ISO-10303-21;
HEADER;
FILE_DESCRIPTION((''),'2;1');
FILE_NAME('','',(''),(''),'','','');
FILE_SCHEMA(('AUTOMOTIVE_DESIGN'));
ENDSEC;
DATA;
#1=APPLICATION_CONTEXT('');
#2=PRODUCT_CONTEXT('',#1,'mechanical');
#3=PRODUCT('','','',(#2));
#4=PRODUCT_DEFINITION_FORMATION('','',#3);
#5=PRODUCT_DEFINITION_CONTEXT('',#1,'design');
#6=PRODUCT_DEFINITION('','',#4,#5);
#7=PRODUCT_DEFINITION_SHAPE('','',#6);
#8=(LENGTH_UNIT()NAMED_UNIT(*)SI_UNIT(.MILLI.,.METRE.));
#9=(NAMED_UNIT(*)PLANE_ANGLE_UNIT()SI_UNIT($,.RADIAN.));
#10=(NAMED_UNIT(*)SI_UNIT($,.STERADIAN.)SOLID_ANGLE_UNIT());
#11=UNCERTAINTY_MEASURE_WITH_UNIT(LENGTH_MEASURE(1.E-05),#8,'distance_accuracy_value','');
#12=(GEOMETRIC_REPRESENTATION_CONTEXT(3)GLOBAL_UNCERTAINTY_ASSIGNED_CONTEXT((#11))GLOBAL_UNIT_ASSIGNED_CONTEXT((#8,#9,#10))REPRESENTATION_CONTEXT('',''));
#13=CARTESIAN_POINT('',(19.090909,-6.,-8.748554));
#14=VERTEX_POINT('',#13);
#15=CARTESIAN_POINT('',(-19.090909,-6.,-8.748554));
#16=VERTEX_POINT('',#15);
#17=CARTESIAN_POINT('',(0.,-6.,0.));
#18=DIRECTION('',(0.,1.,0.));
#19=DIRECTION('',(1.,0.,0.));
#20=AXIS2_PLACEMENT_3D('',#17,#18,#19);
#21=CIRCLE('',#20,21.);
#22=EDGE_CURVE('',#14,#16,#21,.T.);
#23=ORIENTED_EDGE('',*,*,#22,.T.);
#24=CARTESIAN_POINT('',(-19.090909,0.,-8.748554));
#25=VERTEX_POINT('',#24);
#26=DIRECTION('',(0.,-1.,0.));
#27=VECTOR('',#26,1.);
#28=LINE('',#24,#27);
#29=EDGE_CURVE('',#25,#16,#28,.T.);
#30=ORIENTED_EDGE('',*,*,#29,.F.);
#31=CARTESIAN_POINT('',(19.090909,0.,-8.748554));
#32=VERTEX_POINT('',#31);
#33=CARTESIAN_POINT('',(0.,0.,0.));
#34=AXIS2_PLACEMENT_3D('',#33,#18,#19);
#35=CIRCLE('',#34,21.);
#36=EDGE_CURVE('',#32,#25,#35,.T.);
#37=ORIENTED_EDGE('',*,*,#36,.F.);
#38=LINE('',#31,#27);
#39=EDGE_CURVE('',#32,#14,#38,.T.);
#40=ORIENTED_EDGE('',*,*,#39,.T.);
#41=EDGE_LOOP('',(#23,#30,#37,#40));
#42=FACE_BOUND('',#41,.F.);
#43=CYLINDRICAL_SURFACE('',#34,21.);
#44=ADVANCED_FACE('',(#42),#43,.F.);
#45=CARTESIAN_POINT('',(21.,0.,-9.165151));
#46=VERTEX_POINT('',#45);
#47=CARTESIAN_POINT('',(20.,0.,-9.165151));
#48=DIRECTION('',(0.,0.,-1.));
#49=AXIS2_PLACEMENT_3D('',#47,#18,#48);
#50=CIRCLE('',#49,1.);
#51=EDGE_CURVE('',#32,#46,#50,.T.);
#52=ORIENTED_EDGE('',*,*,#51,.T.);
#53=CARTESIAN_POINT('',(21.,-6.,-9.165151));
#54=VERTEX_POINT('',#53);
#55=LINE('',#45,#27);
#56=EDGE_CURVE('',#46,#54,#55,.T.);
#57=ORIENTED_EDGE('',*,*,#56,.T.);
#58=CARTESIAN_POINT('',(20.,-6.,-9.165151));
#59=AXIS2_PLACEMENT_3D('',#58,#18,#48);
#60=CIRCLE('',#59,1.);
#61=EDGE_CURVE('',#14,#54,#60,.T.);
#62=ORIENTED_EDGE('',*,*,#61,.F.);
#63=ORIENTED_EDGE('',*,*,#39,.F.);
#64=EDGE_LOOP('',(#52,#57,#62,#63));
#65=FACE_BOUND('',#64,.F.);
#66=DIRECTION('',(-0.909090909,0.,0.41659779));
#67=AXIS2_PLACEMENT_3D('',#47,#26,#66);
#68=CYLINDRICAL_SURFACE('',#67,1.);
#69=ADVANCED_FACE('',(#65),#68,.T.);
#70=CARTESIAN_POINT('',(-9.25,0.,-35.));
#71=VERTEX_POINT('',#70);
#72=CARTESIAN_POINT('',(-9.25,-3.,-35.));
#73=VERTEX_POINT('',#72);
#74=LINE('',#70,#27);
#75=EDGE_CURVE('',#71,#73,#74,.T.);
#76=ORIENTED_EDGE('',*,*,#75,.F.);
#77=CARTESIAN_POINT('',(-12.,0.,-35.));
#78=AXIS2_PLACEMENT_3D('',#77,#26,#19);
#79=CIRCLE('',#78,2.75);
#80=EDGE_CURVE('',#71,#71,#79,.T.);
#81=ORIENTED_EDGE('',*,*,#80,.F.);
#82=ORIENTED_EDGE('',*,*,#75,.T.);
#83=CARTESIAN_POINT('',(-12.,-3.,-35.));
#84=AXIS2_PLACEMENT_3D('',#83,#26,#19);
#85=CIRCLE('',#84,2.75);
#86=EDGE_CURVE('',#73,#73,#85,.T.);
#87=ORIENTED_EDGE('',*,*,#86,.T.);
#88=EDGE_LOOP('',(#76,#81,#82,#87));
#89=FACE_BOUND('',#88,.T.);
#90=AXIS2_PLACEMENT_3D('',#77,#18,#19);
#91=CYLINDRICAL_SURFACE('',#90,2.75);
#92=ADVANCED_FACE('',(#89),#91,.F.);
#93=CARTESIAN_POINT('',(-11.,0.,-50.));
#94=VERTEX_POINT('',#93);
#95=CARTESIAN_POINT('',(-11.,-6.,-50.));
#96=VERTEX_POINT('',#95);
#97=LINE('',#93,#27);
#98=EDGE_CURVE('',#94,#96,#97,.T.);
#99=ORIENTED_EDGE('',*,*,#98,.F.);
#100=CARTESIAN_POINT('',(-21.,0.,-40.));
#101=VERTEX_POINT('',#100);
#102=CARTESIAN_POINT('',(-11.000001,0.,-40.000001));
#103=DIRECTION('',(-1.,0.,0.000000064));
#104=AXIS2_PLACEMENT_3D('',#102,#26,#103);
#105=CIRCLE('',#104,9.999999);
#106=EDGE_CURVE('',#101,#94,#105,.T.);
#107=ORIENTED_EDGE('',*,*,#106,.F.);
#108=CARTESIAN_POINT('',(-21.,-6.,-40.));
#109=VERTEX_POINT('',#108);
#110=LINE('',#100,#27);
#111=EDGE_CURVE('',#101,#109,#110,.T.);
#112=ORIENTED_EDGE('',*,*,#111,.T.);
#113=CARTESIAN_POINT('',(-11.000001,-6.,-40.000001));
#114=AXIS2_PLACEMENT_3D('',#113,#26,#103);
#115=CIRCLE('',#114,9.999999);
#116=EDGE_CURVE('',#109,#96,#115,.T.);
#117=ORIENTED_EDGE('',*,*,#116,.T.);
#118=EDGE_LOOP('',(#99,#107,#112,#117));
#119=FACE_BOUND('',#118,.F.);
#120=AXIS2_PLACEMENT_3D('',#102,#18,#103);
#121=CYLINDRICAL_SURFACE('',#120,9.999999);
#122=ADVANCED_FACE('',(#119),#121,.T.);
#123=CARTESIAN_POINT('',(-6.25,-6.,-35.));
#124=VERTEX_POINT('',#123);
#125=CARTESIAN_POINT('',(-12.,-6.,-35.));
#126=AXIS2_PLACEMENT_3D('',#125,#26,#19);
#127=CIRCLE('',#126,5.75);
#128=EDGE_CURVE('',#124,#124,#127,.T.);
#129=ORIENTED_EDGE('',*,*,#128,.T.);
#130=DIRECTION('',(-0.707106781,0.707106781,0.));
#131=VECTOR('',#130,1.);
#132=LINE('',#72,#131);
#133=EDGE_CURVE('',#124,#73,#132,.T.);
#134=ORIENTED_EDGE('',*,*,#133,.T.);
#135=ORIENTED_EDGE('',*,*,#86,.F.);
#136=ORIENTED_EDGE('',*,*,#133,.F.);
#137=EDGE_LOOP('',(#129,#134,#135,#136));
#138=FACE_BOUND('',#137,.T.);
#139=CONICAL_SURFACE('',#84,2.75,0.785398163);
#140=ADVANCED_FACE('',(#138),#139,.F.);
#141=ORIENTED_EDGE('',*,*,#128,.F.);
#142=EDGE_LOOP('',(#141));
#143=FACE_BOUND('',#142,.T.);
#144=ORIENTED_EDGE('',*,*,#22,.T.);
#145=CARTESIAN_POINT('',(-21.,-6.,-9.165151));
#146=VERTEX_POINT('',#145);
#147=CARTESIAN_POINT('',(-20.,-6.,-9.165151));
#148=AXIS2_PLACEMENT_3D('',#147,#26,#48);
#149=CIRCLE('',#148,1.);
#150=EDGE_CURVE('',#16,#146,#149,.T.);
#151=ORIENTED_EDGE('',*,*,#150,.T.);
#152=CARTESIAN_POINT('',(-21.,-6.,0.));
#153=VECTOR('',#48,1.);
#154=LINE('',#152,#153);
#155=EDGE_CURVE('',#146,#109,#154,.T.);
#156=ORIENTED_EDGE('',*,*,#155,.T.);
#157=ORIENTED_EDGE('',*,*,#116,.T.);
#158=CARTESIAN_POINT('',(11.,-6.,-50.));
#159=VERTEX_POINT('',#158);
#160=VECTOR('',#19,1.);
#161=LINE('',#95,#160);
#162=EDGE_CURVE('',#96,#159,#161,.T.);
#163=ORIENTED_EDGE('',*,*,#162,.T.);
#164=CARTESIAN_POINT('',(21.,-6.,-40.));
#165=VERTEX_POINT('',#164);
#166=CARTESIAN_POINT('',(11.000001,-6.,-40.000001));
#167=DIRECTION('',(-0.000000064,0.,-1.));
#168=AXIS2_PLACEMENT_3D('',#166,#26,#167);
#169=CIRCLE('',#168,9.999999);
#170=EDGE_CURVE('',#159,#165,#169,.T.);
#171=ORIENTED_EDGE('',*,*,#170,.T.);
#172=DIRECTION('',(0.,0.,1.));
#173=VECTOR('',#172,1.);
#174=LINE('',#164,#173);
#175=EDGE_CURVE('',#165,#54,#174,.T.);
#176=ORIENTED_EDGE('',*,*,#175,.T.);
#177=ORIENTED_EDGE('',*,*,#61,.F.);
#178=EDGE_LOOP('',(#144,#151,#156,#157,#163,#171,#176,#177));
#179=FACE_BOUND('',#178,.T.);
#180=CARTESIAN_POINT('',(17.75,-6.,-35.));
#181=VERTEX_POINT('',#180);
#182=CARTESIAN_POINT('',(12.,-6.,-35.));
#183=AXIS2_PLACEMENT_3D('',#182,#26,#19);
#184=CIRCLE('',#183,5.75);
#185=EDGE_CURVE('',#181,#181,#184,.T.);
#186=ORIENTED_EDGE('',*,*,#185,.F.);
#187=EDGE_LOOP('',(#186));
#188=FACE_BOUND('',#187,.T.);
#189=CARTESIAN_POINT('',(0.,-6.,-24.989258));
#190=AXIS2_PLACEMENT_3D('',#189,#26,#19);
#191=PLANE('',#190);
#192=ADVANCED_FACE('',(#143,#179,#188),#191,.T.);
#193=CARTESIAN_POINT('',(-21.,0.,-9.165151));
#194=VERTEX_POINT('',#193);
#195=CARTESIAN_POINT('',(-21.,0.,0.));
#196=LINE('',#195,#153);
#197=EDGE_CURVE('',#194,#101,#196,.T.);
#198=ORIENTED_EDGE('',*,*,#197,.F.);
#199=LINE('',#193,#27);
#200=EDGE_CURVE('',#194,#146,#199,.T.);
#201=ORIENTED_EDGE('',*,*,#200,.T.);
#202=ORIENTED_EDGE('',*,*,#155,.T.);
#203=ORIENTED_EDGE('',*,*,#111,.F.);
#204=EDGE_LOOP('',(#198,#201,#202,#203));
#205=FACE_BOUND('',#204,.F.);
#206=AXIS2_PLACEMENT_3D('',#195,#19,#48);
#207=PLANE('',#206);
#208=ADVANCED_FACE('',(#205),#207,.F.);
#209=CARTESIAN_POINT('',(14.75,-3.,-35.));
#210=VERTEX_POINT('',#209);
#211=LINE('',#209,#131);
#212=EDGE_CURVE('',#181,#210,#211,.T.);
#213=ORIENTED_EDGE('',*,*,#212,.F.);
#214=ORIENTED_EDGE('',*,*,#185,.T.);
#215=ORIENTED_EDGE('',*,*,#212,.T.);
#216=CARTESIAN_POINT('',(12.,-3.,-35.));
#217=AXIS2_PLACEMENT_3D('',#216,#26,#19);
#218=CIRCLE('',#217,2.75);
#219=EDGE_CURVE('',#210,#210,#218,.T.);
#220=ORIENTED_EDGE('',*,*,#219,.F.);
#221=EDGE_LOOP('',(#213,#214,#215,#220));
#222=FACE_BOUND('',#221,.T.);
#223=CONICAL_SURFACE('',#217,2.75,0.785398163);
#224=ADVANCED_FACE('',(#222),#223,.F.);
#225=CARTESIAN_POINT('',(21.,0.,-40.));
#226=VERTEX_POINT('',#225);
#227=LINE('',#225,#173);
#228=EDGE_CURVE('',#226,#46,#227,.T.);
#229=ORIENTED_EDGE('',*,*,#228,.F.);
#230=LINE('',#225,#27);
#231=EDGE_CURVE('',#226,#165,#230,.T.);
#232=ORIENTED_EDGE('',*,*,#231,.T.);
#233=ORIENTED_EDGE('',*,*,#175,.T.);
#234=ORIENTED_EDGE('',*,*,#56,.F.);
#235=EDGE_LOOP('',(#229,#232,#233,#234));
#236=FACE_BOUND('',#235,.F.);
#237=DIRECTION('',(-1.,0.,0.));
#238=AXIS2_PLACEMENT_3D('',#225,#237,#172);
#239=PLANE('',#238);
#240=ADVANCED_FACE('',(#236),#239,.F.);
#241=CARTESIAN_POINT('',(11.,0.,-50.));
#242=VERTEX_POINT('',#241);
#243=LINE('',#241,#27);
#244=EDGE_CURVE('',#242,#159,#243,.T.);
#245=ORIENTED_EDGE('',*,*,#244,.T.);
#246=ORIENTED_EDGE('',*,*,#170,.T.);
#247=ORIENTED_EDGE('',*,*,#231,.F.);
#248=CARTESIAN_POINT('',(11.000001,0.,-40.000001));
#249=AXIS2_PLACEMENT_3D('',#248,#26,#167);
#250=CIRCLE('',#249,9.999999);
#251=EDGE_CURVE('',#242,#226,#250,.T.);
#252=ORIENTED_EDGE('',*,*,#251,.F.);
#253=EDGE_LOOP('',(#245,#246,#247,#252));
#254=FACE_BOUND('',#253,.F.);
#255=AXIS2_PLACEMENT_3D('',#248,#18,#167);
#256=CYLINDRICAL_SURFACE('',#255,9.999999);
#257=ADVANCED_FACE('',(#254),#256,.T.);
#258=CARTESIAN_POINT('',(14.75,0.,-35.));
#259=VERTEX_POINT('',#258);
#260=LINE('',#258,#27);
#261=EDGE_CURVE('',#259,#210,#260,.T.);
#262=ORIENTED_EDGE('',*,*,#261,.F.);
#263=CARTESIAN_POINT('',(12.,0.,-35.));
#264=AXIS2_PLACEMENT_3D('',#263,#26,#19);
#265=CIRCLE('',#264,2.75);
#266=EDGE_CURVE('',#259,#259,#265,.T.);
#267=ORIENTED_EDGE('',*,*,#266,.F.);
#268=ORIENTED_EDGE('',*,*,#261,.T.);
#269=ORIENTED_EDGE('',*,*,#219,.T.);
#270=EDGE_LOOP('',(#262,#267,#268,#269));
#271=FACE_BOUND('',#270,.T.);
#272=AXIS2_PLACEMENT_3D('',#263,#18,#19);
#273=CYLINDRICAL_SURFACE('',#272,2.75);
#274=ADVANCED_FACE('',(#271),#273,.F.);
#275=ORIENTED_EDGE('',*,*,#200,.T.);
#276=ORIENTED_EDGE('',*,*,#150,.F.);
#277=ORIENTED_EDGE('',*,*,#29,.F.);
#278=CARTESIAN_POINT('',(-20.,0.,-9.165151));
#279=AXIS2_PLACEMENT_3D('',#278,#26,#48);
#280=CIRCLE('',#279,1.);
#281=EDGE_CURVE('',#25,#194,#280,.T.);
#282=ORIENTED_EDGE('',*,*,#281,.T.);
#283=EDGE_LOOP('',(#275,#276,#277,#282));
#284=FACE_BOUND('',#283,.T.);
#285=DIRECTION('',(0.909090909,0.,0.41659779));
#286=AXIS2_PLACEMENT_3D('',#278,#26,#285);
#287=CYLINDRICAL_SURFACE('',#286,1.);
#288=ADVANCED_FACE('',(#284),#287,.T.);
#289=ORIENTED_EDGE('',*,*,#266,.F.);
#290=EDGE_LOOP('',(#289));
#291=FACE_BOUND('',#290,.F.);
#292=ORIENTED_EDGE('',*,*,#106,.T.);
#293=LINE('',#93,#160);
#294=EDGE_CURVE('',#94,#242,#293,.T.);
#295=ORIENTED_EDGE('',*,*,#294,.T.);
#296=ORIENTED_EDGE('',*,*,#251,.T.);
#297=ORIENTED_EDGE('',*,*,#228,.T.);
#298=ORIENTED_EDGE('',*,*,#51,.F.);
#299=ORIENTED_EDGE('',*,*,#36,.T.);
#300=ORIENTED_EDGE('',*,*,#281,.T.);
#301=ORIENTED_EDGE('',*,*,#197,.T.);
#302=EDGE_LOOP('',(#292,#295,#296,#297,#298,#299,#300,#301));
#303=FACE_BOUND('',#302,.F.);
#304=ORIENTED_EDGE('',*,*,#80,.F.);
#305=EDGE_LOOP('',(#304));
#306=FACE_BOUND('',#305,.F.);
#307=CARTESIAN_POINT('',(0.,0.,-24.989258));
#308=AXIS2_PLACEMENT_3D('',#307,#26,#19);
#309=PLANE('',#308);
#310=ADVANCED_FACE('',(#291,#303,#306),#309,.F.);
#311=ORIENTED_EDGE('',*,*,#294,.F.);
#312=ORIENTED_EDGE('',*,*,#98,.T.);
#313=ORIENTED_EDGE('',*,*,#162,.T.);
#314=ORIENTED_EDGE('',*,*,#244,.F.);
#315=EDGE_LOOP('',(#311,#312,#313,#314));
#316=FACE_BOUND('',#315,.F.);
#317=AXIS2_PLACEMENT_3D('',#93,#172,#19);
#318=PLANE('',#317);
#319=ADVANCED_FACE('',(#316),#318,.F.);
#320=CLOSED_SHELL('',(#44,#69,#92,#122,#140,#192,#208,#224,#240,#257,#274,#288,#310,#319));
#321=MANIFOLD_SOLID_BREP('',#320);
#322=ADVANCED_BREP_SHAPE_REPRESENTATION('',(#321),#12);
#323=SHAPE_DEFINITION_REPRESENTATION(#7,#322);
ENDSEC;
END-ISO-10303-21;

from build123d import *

# Parameters (mm, degrees)
F0_R     = 2.75
F1_DEPTH = 6
F2_R     = 1
F3_SIZE  = 3


with BuildPart() as f1:
    # F0 (on Front) → F1 (new body)
    with BuildSketch(Plane.XZ):
        with BuildLine():
            ThreePointArc((21, 0), (0, -21), (-21, 0))
            Line((-21, 0), (-21, -40))
            ThreePointArc((-21, -40), (-18.071068, -47.071068), (-11, -50))
            Line((-11, -50), (11, -50))
            ThreePointArc((11, -50), (18.071068, -47.071068), (21, -40))
            Line((21, -40), (21, 0))
        make_face()
        with Locations((-12, -35)):
            Circle(F0_R, mode=Mode.SUBTRACT)
        with Locations((12, -35)):
            Circle(F0_R, mode=Mode.SUBTRACT)
    extrude(amount=F1_DEPTH)

    # F2
    f2_edges = [f1.edges().sort_by_distance(p)[0] for p in [
        (-21, -3, 0),
        (21, -3, 0),
    ]]
    fillet(f2_edges, radius=F2_R)

    # F3
    f3_edges = [f1.edges().sort_by_distance(p)[0] for p in [
        (-14.75, -6, -35),
        (9.25, -6, -35),
    ]]
    chamfer(f3_edges, length=F3_SIZE)


solid = f1.part
